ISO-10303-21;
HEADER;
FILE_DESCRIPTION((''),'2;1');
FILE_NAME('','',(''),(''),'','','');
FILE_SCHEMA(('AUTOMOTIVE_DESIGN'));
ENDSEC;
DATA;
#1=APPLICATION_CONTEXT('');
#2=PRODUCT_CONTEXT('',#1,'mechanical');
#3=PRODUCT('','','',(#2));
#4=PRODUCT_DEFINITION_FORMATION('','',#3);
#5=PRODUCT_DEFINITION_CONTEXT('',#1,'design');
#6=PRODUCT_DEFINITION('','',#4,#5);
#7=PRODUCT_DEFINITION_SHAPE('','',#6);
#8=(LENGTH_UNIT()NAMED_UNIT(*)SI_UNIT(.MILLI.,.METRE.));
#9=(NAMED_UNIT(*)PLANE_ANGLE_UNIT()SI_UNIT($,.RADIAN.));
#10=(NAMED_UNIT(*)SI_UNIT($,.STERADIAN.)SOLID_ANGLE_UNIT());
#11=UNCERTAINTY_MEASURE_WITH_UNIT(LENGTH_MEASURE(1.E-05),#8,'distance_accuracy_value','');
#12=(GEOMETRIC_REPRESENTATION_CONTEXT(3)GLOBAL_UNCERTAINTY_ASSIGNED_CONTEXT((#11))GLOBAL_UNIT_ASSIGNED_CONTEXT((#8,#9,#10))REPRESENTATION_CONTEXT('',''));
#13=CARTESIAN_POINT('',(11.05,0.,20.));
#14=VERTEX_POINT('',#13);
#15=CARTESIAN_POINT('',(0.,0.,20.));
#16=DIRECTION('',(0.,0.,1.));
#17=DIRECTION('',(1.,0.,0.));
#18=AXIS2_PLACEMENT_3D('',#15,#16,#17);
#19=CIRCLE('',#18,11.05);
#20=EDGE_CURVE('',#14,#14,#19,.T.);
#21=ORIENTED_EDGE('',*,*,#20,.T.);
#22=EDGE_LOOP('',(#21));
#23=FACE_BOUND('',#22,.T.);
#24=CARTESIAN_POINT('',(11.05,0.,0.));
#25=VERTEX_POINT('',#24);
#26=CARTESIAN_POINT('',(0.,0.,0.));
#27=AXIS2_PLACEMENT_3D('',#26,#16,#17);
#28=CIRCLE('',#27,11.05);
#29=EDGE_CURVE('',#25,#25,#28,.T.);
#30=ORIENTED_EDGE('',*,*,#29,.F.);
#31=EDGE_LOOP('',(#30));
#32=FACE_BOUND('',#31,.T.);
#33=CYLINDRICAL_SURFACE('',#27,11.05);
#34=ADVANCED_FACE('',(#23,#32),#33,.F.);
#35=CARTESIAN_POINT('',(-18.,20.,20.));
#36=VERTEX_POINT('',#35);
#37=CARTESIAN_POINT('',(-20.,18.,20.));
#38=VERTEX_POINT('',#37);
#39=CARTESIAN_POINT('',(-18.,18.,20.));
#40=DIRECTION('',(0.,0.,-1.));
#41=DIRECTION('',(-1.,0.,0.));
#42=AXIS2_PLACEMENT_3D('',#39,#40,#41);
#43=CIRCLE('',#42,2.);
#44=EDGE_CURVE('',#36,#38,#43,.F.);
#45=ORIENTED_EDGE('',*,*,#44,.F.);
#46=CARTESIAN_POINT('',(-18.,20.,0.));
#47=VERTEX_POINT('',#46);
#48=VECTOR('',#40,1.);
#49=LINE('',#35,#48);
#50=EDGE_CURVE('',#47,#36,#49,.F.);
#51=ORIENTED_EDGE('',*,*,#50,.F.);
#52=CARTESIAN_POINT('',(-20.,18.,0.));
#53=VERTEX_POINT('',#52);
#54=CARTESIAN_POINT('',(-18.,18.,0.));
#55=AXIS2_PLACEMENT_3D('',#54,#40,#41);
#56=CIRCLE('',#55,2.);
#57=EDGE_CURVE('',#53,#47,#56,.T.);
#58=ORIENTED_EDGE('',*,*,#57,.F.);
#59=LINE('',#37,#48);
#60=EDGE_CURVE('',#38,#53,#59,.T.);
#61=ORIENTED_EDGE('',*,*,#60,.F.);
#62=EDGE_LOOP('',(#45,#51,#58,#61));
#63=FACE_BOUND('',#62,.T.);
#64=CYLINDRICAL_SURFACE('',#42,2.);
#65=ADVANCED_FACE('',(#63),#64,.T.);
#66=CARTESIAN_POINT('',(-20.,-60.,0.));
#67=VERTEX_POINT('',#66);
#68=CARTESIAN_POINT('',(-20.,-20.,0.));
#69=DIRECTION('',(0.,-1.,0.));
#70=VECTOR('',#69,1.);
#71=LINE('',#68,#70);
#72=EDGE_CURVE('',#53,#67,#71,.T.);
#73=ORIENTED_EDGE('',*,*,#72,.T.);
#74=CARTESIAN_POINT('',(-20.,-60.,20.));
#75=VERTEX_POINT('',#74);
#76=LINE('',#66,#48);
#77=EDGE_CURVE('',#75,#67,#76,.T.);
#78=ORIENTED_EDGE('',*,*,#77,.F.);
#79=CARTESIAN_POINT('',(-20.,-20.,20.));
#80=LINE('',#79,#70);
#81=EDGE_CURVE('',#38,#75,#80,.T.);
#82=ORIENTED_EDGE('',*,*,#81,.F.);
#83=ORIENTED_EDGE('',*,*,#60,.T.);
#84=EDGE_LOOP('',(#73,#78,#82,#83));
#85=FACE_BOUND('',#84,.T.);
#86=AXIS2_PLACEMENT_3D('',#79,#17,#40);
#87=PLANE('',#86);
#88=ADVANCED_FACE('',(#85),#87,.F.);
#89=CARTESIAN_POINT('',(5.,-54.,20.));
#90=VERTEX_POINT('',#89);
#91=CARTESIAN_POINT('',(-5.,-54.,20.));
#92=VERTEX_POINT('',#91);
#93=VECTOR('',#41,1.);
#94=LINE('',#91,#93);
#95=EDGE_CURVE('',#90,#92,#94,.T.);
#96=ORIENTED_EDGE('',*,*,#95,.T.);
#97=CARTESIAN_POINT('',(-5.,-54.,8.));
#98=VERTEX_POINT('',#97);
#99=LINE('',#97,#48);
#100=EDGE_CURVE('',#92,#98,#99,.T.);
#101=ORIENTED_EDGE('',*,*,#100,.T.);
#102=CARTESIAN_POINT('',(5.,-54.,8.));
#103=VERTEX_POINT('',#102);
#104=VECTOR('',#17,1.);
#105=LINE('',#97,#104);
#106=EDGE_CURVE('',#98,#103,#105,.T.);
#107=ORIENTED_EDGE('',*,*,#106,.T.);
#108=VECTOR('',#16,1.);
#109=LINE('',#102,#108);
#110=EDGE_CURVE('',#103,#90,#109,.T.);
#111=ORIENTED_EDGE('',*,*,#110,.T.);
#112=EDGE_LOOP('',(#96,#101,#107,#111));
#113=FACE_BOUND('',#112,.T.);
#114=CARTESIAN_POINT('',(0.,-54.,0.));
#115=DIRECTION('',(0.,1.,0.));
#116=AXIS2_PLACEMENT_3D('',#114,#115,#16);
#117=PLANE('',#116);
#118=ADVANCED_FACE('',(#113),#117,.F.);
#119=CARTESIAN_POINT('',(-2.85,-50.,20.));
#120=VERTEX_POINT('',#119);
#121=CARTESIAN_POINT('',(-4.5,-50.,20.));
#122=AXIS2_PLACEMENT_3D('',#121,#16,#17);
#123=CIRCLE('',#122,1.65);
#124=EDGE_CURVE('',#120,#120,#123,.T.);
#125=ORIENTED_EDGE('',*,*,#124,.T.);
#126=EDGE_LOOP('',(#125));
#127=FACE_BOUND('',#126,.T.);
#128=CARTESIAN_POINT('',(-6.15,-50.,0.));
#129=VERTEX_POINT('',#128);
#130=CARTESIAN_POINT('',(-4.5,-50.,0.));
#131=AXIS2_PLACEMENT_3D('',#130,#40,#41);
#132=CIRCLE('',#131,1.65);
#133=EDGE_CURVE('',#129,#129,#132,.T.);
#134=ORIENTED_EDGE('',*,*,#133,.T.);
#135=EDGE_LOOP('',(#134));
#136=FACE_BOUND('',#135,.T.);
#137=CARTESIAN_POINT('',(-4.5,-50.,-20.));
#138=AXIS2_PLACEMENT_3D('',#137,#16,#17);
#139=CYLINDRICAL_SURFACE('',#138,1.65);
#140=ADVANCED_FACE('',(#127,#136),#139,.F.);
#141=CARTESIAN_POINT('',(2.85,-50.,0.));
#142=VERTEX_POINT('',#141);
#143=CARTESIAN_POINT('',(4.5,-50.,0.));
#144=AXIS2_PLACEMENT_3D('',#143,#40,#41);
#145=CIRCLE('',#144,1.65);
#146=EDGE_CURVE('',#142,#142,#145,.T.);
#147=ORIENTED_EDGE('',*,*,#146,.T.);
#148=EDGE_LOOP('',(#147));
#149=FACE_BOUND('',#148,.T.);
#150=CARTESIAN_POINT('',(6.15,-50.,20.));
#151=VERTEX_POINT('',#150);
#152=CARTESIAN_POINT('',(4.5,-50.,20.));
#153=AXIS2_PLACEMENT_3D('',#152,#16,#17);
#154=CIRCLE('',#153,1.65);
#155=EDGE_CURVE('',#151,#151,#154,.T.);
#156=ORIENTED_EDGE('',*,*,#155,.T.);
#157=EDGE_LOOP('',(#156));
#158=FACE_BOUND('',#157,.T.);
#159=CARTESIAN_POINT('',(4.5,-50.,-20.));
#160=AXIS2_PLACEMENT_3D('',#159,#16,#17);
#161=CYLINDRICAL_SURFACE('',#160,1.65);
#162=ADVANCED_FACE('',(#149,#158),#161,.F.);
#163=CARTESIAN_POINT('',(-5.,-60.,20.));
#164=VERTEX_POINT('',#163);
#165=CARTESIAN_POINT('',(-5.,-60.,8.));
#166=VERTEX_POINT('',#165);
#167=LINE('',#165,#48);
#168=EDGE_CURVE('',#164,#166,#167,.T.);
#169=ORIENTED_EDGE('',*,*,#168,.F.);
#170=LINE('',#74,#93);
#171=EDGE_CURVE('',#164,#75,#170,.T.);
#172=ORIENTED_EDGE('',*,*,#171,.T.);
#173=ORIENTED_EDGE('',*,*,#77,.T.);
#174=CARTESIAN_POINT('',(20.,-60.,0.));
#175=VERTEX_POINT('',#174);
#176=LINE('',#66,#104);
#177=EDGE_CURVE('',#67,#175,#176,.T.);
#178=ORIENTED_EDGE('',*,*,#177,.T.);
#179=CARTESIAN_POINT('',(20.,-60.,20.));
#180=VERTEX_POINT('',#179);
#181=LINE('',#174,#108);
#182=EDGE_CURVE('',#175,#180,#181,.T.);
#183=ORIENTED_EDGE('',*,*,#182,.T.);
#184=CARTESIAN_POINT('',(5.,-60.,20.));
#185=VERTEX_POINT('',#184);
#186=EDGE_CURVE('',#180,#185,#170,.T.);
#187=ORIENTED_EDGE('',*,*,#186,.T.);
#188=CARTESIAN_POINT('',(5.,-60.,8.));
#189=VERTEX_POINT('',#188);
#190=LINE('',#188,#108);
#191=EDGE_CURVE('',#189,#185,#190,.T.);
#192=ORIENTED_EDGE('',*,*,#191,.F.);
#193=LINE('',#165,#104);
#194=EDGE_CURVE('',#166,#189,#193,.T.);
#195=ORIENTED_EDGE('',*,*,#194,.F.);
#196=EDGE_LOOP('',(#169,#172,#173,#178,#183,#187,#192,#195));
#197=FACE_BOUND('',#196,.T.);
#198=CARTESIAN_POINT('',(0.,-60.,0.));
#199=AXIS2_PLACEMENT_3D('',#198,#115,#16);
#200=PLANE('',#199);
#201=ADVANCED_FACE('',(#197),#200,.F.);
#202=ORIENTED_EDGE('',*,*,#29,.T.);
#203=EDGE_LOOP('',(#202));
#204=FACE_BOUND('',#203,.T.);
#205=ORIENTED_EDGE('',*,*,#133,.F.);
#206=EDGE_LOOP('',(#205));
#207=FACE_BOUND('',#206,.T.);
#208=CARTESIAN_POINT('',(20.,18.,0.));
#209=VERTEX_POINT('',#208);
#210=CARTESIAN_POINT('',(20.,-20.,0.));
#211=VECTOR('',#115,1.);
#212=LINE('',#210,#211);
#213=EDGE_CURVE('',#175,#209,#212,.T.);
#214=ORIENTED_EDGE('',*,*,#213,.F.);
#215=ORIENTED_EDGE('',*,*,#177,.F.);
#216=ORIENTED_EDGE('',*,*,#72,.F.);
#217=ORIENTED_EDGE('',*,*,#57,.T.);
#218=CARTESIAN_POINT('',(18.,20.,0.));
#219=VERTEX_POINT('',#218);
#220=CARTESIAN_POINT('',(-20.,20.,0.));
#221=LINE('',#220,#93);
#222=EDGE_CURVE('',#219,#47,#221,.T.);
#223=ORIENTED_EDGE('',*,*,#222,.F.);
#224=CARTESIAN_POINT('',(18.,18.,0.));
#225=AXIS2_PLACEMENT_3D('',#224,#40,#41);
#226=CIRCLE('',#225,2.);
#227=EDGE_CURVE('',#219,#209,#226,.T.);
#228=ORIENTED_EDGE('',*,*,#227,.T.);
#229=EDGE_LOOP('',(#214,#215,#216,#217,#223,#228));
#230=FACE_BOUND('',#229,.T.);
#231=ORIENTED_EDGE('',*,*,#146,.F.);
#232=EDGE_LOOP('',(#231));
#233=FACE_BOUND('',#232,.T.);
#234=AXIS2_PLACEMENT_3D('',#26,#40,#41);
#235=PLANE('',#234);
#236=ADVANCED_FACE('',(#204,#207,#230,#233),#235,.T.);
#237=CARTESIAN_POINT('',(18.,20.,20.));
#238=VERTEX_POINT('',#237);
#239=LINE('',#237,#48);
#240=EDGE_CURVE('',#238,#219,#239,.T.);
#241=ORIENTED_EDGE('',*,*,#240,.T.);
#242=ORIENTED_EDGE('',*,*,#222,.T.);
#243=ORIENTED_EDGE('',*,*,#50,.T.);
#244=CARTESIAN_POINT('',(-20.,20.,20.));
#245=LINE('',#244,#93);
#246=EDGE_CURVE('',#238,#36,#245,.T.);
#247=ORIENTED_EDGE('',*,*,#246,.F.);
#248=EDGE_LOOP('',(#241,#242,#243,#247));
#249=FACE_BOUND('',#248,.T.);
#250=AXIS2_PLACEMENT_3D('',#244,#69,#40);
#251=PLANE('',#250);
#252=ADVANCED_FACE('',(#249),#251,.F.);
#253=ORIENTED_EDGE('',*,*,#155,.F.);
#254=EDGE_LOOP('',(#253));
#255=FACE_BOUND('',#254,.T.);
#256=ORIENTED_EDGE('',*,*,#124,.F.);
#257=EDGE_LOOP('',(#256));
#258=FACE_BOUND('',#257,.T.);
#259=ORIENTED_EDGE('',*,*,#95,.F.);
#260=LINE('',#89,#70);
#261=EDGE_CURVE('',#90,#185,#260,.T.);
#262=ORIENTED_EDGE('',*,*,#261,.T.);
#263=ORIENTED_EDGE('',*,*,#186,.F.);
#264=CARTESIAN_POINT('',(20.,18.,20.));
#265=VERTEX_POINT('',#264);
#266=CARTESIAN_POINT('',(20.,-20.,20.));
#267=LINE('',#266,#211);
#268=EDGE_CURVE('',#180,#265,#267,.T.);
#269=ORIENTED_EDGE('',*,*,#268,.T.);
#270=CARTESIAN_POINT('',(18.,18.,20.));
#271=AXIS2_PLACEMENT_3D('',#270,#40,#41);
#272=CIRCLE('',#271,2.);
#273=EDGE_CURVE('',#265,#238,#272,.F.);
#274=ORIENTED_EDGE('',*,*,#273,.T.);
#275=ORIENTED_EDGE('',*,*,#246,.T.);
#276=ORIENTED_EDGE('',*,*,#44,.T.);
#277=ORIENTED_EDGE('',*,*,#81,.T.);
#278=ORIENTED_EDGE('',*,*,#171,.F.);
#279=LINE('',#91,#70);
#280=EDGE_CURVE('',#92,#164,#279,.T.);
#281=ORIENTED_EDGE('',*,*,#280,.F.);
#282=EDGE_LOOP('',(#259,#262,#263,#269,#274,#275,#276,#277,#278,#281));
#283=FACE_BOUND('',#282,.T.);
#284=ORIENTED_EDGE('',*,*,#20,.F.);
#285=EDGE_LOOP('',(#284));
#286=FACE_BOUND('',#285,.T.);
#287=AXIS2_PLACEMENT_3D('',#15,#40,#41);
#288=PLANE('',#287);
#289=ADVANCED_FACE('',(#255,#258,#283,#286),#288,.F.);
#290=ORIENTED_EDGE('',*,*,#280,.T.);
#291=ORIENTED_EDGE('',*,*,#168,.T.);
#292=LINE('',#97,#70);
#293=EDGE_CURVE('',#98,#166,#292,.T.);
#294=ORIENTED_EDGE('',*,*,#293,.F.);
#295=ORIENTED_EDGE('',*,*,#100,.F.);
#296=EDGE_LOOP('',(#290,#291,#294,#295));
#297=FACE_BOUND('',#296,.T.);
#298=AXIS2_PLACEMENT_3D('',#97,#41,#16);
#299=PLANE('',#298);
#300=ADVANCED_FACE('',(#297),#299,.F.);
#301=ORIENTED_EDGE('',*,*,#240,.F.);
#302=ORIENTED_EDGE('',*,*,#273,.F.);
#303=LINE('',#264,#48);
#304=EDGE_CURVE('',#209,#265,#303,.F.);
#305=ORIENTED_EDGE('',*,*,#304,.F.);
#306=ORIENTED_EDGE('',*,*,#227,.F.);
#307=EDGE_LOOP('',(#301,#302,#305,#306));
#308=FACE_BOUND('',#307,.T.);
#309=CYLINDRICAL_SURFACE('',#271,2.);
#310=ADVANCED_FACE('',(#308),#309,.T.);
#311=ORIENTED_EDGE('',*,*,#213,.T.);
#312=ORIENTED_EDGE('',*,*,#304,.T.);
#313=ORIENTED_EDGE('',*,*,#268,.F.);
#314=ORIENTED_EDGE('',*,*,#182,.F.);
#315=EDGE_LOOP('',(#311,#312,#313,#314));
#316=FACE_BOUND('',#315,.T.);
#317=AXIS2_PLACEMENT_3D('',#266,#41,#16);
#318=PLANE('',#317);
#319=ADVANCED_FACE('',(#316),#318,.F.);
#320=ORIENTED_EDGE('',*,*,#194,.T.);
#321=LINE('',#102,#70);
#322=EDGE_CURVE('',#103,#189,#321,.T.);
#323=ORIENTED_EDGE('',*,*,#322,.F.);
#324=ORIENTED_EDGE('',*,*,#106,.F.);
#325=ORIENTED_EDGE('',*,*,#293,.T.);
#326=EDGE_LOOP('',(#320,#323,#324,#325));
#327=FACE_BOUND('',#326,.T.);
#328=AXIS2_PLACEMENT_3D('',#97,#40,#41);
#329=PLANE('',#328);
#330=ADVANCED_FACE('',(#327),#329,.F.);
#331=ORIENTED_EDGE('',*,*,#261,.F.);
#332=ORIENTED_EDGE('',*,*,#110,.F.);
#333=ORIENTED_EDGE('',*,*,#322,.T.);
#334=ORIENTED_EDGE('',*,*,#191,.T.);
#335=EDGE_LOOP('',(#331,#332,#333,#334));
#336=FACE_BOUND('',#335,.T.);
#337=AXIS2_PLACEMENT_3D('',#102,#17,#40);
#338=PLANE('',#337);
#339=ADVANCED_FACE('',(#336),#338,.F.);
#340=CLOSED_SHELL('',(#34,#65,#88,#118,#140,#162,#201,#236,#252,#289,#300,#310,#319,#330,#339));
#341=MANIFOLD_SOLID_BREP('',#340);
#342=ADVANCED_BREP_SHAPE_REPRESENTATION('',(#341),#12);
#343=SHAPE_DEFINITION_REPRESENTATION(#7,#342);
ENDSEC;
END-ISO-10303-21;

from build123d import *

# Parameters (mm, degrees)
SKETCH_1_W          = 40
SKETCH_1_H          = 40
EXTRUDE_1_DEPTH     = 20
SKETCH_2_R          = 11.05
CUT_EXTRUDE_1_DEPTH = 20
SKETCH_3_W          = 40
SKETCH_3_H          = 20
EXTRUDE_2_DEPTH     = 40
SKETCH_4_R          = 1.65
CUT_EXTRUDE_2_DEPTH = 40
SKETCH_5_W          = 10
SKETCH_5_H          = 12
CUT_EXTRUDE_3_DEPTH = 6
FILLET_1_R          = 2


with BuildPart() as part:
    # 草图1 → 凸台-拉伸1 (new body)
    with BuildSketch(Plane.XY):
        Rectangle(SKETCH_1_W, SKETCH_1_H)
    extrude(amount=EXTRUDE_1_DEPTH)

    # 草图2 → 切除-拉伸1 (cut)
    with BuildSketch(Plane.XY.offset(20)):
        Circle(SKETCH_2_R)
    extrude(amount=-CUT_EXTRUDE_1_DEPTH, mode=Mode.SUBTRACT)

    # 草图3 → 凸台-拉伸2 (add)
    with BuildSketch(Plane.XZ.offset(20)):
        with Locations((0, 10)):
            Rectangle(SKETCH_3_W, SKETCH_3_H)
    extrude(amount=EXTRUDE_2_DEPTH)

    # 草图4 → 切除-拉伸2 (cut)
    with BuildSketch(Plane.XY.offset(20)):
        with Locations((4.5, -50)):
            Circle(SKETCH_4_R)
        with Locations((-4.5, -50)):
            Circle(SKETCH_4_R)
    extrude(amount=-CUT_EXTRUDE_2_DEPTH, mode=Mode.SUBTRACT)

    # 草图5 → 切除-拉伸3 (cut)
    with BuildSketch(Plane.XZ.offset(60)):
        with Locations((0, 14)):
            Rectangle(SKETCH_5_W, SKETCH_5_H)
    extrude(amount=-CUT_EXTRUDE_3_DEPTH, mode=Mode.SUBTRACT)

    # 圆角1
    fillet_1_edges = [part.edges().sort_by_distance(p)[0] for p in [
        (-20, 20, 10),
        (20, 20, 10),
    ]]
    fillet(fillet_1_edges, radius=FILLET_1_R)


solid = part.part
